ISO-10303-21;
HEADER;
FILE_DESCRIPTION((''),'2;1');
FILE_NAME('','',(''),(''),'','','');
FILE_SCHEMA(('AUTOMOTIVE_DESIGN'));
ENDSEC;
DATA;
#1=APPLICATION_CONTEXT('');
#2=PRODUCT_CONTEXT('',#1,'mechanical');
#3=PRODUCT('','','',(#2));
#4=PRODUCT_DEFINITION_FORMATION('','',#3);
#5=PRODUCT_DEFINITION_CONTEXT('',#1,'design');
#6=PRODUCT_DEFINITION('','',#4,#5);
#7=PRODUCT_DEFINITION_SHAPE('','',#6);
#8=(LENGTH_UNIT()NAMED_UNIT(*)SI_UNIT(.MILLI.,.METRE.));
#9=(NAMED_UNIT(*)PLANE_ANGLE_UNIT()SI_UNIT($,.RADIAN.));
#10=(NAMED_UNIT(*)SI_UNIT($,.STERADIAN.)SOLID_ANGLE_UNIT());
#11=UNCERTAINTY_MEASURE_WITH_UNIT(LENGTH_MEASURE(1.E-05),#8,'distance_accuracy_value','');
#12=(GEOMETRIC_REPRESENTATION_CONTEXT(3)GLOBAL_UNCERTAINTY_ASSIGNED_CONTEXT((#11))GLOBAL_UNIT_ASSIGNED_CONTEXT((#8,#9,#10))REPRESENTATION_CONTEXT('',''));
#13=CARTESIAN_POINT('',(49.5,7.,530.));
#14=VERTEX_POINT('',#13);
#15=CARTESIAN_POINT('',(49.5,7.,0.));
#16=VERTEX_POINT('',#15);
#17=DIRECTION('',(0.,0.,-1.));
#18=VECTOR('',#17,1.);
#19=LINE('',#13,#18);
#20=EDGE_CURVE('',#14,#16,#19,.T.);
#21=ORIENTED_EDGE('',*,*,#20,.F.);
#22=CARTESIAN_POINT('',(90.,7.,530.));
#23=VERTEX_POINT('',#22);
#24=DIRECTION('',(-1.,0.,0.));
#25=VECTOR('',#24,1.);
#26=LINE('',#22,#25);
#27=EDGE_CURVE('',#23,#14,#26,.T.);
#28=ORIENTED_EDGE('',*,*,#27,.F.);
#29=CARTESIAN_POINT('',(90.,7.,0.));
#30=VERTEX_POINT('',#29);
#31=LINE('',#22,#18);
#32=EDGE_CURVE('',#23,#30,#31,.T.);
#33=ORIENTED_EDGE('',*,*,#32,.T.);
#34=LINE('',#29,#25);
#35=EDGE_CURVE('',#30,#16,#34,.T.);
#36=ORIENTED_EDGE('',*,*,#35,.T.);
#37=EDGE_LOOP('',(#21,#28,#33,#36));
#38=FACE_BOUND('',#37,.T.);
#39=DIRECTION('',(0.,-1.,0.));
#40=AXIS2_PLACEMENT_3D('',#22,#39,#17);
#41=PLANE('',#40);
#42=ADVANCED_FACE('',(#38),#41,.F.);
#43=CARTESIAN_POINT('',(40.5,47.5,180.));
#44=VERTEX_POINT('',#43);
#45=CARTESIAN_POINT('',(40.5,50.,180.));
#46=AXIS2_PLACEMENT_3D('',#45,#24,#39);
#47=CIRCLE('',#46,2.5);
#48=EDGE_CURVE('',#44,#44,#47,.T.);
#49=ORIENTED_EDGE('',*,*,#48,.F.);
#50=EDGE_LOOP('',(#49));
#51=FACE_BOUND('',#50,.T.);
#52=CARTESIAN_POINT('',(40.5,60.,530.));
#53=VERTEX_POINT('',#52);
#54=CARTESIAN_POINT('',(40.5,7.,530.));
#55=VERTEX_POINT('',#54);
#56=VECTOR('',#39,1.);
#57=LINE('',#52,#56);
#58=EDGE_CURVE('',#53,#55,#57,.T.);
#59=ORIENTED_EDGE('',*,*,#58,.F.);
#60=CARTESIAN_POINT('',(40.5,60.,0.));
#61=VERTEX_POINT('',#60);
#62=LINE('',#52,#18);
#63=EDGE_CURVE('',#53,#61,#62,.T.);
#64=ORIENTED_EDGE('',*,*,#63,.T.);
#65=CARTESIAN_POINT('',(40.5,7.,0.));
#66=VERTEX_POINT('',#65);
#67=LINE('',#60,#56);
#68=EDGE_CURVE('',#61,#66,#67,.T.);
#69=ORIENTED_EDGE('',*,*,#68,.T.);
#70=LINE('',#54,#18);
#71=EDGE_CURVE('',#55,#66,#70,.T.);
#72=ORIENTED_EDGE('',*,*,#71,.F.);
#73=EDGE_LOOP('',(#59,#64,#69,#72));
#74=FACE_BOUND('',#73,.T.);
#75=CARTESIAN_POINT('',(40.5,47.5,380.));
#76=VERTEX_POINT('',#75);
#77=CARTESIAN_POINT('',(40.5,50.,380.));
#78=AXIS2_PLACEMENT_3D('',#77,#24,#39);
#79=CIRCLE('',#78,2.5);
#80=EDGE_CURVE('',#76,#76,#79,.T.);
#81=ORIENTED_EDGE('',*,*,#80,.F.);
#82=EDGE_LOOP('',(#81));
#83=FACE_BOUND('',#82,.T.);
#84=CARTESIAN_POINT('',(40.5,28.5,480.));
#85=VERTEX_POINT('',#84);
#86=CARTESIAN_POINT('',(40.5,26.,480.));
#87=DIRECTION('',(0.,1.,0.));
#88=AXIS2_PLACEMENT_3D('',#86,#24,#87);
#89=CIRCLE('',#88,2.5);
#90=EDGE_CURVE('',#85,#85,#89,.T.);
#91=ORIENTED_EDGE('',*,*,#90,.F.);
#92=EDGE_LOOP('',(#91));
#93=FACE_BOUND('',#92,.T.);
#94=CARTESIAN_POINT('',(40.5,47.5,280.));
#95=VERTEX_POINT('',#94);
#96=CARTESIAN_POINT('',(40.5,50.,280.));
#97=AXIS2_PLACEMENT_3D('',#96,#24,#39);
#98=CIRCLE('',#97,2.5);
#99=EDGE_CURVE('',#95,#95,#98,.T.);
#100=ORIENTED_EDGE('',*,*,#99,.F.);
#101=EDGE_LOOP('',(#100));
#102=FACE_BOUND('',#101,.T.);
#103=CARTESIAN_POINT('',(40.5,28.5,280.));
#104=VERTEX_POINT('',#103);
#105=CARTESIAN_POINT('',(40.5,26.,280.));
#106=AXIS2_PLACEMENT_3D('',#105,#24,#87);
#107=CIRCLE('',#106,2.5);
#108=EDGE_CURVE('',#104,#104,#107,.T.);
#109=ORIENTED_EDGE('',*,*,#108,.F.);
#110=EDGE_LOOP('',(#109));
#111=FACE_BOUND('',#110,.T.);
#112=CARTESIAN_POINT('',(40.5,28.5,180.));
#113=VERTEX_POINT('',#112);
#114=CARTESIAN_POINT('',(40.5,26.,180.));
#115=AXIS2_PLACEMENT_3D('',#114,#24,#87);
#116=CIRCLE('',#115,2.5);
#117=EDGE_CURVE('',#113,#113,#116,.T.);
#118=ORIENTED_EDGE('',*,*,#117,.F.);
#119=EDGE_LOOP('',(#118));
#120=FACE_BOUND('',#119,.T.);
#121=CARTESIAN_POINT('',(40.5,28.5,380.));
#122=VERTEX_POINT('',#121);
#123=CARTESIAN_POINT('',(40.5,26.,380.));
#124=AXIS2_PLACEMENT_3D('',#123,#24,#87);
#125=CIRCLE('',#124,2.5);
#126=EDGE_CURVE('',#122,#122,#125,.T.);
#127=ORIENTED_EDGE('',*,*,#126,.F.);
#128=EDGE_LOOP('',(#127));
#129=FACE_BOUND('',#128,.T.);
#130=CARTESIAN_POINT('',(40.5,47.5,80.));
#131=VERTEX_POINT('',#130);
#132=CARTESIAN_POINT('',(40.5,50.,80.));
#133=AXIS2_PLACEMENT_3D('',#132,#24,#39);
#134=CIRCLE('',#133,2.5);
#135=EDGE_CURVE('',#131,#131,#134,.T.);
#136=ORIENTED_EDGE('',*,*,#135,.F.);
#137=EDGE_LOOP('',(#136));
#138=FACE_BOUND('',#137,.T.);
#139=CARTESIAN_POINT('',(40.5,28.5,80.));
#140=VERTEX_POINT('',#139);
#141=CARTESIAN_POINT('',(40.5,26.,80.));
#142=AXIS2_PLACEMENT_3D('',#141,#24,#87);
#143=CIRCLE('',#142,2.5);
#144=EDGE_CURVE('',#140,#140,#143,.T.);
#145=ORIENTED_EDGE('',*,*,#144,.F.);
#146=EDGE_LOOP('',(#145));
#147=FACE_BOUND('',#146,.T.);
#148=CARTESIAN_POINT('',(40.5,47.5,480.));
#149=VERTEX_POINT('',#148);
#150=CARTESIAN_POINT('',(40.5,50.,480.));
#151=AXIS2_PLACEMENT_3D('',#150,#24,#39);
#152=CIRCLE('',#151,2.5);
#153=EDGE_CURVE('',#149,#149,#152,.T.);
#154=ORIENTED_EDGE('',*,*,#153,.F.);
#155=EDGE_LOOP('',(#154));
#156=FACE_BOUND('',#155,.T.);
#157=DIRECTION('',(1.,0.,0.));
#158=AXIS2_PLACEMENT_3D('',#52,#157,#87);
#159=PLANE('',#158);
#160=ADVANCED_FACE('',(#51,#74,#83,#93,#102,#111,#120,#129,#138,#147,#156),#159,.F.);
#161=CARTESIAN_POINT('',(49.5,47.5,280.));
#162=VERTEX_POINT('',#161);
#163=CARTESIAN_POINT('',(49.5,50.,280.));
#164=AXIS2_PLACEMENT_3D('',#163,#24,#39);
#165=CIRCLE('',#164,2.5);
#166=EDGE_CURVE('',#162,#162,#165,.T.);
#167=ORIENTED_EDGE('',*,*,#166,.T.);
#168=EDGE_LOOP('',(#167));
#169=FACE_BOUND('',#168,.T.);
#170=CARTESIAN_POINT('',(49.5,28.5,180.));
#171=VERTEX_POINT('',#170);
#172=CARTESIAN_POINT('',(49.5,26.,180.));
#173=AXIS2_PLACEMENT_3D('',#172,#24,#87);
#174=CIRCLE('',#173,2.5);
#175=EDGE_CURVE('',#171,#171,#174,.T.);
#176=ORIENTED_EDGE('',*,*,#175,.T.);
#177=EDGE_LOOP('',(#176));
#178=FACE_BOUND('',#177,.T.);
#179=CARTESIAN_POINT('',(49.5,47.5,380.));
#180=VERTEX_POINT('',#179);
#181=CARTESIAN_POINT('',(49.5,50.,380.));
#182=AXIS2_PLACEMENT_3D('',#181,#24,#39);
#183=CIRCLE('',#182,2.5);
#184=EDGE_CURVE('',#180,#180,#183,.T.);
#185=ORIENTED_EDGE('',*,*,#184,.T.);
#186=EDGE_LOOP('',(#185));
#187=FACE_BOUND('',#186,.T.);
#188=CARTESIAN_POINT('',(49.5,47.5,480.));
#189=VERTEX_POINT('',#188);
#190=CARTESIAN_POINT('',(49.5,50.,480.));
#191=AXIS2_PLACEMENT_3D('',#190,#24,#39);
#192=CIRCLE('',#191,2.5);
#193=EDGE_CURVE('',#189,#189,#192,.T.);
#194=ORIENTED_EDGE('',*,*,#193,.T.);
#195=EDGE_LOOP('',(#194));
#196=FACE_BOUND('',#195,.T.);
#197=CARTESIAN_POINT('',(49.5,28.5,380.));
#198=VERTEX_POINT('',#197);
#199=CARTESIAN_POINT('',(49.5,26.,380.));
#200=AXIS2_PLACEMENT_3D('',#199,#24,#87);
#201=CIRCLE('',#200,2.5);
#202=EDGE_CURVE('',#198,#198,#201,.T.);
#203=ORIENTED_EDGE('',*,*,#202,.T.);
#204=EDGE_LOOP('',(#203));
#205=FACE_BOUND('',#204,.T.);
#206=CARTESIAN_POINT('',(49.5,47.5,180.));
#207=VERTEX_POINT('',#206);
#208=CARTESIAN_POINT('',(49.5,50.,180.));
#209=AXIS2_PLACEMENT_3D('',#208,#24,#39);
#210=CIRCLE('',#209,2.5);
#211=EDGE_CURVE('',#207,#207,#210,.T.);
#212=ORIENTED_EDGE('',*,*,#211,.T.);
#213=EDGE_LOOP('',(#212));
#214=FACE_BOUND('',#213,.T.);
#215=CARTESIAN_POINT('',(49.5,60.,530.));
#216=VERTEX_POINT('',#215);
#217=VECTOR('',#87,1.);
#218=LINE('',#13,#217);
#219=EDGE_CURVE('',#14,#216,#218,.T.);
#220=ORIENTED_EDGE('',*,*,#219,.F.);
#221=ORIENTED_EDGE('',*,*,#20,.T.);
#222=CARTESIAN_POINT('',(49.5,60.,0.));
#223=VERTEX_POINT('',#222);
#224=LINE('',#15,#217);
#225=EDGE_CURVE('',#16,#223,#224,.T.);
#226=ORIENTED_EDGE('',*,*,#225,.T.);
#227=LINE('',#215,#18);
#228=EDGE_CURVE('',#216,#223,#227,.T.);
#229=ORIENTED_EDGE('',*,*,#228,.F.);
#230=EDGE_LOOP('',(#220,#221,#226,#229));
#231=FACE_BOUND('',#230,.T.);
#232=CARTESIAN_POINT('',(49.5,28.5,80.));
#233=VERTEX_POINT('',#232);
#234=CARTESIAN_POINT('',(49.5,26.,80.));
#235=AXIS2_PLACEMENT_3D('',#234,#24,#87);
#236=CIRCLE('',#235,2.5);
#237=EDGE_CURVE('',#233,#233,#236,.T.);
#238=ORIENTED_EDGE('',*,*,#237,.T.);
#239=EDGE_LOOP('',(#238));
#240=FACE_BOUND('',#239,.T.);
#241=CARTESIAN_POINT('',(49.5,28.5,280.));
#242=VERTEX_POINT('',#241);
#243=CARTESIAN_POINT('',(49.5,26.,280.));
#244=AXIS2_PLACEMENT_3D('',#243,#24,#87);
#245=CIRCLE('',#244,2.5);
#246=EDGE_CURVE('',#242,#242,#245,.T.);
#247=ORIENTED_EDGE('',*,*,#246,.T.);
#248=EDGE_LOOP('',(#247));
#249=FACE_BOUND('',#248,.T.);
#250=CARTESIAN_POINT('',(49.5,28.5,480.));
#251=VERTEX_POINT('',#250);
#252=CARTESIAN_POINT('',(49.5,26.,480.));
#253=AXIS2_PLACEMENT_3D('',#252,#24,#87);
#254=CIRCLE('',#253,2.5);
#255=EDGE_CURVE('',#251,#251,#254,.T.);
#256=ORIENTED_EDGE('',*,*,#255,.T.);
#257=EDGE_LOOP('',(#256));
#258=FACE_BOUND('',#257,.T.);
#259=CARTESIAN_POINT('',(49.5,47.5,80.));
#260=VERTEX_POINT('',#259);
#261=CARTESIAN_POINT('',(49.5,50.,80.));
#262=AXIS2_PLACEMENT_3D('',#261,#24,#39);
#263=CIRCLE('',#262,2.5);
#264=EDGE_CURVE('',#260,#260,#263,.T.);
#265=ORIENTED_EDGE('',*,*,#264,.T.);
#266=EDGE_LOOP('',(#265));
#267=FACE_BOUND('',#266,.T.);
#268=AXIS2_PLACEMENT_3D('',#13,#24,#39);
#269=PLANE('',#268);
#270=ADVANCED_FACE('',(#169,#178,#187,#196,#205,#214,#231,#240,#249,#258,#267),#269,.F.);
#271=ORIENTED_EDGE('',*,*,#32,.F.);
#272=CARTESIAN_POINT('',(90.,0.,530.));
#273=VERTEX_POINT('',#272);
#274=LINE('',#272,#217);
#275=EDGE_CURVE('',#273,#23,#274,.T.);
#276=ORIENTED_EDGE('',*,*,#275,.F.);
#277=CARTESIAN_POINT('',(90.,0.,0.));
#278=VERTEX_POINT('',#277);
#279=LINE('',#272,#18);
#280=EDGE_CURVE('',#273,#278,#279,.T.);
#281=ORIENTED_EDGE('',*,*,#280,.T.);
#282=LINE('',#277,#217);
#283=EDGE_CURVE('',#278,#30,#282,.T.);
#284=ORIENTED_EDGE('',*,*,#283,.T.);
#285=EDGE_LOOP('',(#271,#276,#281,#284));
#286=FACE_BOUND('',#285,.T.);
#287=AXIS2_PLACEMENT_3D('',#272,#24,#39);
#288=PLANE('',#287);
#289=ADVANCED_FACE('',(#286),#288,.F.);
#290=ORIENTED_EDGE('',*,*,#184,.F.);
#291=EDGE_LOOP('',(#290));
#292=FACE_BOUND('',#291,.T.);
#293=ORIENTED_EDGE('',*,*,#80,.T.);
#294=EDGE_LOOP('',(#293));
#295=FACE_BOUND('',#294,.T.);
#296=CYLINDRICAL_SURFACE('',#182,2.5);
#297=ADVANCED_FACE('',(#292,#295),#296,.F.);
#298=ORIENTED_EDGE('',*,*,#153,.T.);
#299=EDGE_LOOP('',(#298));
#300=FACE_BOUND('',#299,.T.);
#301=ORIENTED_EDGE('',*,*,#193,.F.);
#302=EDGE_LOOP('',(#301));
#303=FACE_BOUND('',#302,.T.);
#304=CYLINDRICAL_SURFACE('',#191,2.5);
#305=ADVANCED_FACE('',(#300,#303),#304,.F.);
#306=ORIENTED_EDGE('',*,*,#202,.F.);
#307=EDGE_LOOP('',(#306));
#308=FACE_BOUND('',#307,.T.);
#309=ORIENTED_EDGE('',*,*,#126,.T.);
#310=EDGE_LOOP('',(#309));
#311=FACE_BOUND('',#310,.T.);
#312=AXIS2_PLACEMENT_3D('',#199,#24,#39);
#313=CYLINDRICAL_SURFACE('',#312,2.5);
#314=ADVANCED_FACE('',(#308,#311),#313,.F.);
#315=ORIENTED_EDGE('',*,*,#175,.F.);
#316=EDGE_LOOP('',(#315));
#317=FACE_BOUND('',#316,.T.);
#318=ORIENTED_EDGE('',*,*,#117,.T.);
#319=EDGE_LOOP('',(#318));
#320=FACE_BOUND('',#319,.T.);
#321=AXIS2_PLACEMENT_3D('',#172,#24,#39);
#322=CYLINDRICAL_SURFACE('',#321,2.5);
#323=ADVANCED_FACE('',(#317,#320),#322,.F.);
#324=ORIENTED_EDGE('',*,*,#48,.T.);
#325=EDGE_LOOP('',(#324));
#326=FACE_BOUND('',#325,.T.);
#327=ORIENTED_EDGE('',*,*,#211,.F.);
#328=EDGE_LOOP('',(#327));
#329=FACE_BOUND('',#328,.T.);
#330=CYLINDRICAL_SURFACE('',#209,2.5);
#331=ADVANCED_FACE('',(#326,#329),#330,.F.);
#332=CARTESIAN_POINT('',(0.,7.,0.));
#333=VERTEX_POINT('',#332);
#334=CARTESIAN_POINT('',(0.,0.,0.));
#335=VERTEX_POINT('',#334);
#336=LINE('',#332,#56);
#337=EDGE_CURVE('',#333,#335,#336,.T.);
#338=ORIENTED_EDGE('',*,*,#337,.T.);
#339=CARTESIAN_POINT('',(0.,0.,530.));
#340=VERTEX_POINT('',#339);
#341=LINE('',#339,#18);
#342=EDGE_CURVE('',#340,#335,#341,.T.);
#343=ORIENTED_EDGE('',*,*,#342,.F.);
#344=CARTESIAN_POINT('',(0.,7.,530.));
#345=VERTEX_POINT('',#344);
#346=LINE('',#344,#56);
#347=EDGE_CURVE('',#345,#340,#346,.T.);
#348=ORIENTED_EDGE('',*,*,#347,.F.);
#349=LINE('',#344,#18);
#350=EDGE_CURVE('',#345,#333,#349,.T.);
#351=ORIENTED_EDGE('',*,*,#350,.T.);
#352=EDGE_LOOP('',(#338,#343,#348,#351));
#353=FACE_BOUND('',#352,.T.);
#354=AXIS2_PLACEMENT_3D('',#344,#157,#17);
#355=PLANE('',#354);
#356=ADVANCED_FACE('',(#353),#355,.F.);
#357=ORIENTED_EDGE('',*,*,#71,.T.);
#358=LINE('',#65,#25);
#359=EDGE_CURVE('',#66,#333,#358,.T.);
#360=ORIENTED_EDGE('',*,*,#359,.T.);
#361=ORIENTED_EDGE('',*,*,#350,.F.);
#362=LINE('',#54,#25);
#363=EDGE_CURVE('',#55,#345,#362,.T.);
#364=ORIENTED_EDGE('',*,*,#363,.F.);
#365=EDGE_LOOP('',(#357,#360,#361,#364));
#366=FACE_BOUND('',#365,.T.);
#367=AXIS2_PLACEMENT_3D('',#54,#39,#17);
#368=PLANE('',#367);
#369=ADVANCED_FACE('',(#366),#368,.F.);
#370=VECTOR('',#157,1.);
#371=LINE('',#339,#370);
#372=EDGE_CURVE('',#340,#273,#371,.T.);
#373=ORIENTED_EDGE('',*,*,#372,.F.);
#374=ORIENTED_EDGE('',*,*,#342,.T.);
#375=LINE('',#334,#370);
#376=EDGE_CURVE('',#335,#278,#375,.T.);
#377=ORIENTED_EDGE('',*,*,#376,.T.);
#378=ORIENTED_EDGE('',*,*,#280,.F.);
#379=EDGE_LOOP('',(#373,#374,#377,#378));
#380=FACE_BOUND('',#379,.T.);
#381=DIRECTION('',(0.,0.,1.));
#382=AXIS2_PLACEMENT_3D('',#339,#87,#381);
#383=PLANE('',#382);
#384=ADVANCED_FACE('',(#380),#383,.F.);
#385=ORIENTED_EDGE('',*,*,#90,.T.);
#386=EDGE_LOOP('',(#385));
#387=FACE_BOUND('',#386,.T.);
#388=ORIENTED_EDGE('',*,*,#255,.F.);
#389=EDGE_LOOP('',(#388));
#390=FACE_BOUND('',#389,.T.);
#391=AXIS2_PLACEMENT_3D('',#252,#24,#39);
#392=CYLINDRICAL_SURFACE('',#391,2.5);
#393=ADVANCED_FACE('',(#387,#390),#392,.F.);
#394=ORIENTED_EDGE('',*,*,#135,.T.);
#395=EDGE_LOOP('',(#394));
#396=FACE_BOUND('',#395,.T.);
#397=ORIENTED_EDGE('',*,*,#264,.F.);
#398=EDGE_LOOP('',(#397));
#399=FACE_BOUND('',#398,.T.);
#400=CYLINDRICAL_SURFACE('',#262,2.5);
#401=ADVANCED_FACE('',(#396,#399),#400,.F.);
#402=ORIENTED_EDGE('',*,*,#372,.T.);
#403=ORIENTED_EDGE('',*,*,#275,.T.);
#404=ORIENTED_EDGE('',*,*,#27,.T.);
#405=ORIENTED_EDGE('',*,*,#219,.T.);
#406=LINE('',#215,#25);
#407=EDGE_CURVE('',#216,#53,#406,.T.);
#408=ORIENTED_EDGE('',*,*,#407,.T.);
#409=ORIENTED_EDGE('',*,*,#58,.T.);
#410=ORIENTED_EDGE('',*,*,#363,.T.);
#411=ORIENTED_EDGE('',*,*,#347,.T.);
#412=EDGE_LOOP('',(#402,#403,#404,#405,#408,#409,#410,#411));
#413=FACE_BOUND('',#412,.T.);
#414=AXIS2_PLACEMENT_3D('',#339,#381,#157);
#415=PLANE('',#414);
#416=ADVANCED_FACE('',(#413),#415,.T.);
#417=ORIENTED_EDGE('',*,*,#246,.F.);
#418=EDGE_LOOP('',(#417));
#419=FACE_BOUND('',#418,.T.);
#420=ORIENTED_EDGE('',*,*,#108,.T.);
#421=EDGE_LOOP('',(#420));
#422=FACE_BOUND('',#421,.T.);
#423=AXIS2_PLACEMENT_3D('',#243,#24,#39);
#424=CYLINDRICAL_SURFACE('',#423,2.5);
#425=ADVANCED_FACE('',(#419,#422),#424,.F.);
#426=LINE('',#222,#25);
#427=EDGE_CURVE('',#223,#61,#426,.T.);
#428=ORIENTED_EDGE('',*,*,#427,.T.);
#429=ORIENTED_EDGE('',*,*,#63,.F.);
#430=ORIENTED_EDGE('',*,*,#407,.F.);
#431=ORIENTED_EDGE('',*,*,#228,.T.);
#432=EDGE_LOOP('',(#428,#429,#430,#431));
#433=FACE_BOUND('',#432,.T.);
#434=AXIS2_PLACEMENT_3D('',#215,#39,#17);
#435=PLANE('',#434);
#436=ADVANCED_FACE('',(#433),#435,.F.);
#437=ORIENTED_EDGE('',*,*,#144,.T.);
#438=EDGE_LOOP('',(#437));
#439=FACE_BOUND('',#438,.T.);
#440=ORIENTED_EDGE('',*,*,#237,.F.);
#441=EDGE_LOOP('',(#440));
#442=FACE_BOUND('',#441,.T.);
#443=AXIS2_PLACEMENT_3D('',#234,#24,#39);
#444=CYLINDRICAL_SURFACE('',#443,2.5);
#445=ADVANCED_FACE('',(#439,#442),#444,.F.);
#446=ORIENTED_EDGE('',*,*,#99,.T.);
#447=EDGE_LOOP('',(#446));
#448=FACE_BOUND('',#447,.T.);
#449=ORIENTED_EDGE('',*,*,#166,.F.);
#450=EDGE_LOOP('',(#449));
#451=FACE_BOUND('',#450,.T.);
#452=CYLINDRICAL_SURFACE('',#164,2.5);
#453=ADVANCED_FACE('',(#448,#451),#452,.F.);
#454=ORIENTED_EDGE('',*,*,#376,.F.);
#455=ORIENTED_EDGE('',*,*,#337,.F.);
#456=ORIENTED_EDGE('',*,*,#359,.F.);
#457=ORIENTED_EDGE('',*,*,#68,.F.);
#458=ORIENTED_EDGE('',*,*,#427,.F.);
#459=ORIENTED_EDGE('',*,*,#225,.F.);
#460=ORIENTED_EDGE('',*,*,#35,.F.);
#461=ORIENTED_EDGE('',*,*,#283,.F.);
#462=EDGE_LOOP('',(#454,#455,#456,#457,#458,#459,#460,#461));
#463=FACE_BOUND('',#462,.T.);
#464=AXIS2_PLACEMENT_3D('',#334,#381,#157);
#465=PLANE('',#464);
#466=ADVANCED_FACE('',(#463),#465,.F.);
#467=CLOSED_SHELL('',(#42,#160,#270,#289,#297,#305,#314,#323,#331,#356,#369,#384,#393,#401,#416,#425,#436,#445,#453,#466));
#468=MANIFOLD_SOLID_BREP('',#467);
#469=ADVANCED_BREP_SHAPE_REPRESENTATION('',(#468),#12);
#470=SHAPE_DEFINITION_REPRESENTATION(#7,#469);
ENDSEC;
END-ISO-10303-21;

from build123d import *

# Parameters (mm, degrees)
BOSS_EXTRU_1_DEPTH      = 530
ESQUISSE2_R             = 2.5
ENL_V_MAT_EXTRU_1_DEPTH = 9


with BuildPart() as part:
    # Esquisse1 → Boss.-Extru.1 (new body)
    with BuildSketch(Plane.XY):
        Polygon((0, 0), (90, 0), (90, 7), (49.5, 7), (49.5, 60), (40.5, 60), (40.5, 7), (0, 7), align=None)
    extrude(amount=BOSS_EXTRU_1_DEPTH)

    # Esquisse2 → Enlèv. mat.-Extru.1 (cut)
    with BuildSketch(Plane.ZY.offset(-40.5)):
        with Locations(Location((80, 50, 0), (0, 0, 270))):
            Circle(ESQUISSE2_R)
        with Locations(Location((80, 26, 0), (0, 0, 90))):
            Circle(ESQUISSE2_R)
        with Locations(Location((180, 50, 0), (0, 0, 270))):
            Circle(ESQUISSE2_R)
        with Locations(Location((180, 26, 0), (0, 0, 90))):
            Circle(ESQUISSE2_R)
        with Locations(Location((280, 50, 0), (0, 0, 270))):
            Circle(ESQUISSE2_R)
        with Locations(Location((280, 26, 0), (0, 0, 90))):
            Circle(ESQUISSE2_R)
        with Locations(Location((380, 50, 0), (0, 0, 270))):
            Circle(ESQUISSE2_R)
        with Locations(Location((380, 26, 0), (0, 0, 90))):
            Circle(ESQUISSE2_R)
        with Locations(Location((480, 50, 0), (0, 0, 270))):
            Circle(ESQUISSE2_R)
        with Locations(Location((480, 26, 0), (0, 0, 90))):
            Circle(ESQUISSE2_R)
    extrude(amount=-ENL_V_MAT_EXTRU_1_DEPTH, mode=Mode.SUBTRACT)


solid = part.part
